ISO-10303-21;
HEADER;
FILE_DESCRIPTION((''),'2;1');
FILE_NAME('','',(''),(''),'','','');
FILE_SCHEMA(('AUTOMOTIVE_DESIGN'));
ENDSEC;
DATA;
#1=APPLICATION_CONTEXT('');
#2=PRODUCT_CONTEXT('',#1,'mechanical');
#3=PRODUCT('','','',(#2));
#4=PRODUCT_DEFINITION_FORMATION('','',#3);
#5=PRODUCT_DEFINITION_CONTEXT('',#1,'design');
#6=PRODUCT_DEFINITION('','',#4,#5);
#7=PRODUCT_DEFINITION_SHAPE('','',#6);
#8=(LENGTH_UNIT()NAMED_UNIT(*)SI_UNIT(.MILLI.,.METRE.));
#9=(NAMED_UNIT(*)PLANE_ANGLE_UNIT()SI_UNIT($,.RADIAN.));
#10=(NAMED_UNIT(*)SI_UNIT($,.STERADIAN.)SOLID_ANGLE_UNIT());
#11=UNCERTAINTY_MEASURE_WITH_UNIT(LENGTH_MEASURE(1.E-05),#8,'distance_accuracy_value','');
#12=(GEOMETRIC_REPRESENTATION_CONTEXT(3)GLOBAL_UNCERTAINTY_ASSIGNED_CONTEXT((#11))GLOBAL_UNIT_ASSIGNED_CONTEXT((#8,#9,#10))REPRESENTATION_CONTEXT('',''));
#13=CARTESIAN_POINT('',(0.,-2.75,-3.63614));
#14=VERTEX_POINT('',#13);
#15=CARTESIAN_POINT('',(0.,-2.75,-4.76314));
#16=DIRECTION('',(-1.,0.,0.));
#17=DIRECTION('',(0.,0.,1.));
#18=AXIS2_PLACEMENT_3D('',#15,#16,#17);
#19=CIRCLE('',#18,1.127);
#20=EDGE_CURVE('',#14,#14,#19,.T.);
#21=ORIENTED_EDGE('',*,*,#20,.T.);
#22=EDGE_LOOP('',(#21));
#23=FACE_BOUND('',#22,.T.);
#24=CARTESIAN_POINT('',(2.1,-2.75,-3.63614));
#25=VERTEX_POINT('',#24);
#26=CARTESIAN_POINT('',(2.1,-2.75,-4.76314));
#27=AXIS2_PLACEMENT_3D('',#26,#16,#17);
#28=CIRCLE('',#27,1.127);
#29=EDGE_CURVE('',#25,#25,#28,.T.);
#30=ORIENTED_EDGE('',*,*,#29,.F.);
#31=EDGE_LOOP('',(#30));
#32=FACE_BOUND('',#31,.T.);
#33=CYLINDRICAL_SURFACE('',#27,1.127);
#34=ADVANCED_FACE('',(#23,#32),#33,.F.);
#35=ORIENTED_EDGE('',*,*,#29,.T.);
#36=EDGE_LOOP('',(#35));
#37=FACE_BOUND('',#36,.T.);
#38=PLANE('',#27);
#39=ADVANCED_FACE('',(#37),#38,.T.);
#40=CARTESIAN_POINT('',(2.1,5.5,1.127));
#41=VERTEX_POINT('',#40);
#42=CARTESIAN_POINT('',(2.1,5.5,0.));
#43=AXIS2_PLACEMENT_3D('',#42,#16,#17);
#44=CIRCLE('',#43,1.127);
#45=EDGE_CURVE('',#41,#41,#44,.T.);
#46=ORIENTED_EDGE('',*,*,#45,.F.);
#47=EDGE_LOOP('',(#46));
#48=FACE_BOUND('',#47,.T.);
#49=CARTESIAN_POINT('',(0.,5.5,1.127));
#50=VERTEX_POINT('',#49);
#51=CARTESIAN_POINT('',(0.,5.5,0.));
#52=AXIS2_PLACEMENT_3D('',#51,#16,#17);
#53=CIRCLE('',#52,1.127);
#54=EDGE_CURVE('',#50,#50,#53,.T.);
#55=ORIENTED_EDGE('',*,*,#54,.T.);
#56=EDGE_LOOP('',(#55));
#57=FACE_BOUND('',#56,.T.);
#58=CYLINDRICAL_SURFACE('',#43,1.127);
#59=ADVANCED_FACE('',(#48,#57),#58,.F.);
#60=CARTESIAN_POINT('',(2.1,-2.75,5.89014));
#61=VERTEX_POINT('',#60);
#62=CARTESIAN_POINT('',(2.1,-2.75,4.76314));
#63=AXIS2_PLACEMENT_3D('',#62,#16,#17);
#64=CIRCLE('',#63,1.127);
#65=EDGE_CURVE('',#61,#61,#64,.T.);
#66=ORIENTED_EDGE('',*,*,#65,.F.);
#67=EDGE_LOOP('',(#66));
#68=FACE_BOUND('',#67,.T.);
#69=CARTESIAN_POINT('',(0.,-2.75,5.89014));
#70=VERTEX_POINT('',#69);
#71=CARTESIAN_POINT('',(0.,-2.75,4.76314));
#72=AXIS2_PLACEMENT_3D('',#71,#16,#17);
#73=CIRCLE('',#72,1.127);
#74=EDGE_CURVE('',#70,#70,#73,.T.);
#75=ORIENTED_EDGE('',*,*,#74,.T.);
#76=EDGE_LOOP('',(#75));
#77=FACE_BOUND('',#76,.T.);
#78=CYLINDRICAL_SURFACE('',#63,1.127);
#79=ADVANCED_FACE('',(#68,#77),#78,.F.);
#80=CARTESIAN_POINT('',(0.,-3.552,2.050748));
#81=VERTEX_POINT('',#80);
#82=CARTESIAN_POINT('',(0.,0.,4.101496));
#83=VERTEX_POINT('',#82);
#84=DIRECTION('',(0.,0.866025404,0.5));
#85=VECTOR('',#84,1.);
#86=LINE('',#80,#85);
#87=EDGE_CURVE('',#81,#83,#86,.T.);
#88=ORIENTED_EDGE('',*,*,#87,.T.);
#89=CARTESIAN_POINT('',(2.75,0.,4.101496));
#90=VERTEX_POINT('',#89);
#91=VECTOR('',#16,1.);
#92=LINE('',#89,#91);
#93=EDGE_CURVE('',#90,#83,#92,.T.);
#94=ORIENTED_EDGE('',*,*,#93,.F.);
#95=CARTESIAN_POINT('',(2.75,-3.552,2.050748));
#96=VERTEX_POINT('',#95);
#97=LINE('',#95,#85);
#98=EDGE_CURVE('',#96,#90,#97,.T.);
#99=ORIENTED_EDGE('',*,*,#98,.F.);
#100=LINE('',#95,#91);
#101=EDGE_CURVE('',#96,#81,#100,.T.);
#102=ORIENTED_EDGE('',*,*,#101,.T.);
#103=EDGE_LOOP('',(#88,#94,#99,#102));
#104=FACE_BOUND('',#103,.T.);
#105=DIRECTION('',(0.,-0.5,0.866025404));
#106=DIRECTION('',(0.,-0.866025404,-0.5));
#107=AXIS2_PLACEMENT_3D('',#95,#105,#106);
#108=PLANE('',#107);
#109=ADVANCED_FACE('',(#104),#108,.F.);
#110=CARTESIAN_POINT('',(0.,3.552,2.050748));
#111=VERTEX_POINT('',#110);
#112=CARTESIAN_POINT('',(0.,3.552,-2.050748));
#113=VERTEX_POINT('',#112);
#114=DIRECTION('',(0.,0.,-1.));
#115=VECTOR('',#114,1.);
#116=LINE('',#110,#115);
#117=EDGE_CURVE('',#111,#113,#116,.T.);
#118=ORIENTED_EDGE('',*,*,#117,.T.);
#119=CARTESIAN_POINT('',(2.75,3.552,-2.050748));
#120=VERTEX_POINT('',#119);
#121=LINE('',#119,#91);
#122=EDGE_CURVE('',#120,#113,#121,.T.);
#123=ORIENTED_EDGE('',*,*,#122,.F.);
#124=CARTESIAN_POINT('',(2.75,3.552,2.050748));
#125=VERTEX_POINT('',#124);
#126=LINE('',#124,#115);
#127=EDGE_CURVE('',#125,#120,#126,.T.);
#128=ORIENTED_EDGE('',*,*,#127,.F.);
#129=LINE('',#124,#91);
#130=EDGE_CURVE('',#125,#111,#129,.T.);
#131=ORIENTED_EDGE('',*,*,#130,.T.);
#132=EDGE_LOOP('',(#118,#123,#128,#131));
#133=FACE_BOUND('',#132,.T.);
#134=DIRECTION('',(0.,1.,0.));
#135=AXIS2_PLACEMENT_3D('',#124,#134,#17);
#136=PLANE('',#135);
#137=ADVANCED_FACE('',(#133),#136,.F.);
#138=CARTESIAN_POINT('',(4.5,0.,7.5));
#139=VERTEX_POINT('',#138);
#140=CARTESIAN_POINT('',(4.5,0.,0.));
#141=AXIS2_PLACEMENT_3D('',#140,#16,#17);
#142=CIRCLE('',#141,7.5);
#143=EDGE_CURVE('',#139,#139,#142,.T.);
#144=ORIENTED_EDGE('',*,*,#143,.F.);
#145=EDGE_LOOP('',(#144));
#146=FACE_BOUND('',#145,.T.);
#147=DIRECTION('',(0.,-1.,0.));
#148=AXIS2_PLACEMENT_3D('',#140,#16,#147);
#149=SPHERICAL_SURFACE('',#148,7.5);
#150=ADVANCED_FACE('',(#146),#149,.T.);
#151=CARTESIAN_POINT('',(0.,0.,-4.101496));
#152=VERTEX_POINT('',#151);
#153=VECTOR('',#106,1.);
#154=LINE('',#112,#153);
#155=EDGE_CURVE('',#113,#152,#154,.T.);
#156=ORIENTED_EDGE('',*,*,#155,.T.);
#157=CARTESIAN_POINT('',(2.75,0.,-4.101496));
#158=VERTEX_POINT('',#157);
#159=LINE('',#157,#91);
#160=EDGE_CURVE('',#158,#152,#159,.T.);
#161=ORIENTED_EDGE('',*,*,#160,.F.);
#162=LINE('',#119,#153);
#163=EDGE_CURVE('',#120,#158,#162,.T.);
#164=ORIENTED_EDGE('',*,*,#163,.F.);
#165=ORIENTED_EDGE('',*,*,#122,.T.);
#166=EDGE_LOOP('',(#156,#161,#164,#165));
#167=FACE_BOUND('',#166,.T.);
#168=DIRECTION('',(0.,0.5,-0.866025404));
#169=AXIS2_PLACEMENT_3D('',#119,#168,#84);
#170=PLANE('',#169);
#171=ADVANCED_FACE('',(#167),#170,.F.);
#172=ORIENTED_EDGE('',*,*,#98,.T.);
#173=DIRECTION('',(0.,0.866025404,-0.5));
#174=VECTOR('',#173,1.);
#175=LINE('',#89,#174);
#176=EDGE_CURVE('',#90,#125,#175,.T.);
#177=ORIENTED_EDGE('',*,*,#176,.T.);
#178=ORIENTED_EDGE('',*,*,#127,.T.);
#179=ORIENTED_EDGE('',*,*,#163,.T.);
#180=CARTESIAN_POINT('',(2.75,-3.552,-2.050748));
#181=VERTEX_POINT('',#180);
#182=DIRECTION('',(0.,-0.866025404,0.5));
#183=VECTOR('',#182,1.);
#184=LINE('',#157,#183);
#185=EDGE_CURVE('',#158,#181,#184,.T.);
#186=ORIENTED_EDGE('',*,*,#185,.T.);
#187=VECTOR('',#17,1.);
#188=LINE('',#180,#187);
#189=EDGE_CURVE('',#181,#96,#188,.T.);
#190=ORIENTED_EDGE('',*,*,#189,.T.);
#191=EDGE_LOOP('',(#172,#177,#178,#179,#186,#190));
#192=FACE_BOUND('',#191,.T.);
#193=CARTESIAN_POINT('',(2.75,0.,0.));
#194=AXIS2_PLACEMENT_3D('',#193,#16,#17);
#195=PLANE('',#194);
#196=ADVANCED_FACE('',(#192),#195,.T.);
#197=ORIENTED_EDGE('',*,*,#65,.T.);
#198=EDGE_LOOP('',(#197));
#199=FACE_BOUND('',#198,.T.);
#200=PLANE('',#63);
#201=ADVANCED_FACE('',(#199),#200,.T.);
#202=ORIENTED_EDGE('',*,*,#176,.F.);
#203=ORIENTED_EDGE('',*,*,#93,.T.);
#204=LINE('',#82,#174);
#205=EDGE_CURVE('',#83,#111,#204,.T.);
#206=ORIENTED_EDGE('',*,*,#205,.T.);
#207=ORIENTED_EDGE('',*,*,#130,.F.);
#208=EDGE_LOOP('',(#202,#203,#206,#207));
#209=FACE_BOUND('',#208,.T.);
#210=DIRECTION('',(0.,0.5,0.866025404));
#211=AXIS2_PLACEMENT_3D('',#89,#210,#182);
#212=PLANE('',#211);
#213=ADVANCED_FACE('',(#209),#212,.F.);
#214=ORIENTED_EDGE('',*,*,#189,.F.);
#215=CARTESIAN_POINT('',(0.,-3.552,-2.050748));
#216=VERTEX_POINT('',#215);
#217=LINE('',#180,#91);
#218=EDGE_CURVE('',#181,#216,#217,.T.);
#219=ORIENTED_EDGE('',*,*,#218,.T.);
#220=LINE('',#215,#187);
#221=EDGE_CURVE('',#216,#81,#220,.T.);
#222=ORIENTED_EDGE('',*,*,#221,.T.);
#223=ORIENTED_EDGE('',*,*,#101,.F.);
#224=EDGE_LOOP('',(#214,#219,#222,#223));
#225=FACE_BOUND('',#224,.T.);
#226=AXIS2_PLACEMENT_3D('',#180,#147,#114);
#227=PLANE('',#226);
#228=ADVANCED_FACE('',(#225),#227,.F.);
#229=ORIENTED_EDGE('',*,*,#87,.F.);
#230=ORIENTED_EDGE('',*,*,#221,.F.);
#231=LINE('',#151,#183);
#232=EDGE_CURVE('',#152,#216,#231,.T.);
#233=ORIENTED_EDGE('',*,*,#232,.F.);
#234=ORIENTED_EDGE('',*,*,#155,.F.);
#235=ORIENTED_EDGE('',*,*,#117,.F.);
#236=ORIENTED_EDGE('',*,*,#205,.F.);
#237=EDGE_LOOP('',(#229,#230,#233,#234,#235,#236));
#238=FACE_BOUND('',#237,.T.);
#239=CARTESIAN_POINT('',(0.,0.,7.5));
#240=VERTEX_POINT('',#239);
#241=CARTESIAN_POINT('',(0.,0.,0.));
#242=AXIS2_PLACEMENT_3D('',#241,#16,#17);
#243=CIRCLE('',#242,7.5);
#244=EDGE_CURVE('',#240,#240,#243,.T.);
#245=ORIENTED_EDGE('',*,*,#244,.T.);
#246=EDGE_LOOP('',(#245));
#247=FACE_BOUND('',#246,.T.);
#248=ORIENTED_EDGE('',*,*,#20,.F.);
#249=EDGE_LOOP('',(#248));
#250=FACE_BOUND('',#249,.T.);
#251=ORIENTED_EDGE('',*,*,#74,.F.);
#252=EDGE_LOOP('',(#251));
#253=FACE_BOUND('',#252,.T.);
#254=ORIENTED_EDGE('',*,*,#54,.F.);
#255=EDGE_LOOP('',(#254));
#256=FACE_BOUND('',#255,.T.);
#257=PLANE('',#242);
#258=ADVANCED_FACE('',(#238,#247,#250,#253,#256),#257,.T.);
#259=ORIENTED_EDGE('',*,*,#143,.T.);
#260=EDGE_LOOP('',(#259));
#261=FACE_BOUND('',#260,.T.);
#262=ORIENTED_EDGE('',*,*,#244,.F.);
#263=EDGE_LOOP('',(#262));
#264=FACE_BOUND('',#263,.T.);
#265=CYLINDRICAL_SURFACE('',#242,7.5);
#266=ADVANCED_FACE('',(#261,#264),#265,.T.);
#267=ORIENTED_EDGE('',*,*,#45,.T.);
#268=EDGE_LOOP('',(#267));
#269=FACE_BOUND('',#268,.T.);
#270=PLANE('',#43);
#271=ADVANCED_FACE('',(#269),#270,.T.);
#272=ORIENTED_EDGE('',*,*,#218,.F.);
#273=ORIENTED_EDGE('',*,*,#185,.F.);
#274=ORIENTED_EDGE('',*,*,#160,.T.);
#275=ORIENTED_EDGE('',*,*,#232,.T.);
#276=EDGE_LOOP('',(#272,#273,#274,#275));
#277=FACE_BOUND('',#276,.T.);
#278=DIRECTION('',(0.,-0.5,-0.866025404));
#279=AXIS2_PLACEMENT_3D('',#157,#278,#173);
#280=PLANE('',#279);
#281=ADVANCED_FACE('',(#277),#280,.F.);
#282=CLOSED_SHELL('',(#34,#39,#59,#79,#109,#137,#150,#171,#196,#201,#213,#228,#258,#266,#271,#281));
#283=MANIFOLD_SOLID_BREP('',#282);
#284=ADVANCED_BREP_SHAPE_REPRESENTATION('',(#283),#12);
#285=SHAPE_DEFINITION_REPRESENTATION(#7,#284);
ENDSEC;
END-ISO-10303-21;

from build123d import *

# Parameters (mm, degrees)
CUT_EXTRUDE1_DEPTH = 2.75
SKETCH3_R          = 1.127
CUT_EXTRUDE2_DEPTH = 2.1


with BuildPart() as part:
    # Sketch1 → Revolve1 (revolve)
    with BuildSketch(Plane.XY, mode=Mode.PRIVATE) as revolve1_sk:
        with BuildLine():
            Line((0, 0), (12, 0))
            ThreePointArc((12, 0), (9.803300859, -5.303300859), (4.5, -7.5))
            Line((4.5, -7.5), (0, -7.5))
            Line((0, -7.5), (0, 0))
        make_face()
    revolve(revolve1_sk.sketch.rotate(Axis((0, 0, 0), (1, 0, 0)), 270), axis=Axis((0, 0, 0), (1, 0, 0)))

    # Sketch2 → Cut-Extrude1 (cut)
    with BuildSketch(Plane.ZY):
        Polygon((2.050748156, 3.552), (-2.050748156, 3.552), (-4.101496312, 0), (-2.050748156, -3.552), (2.050748156, -3.552), (4.101496312, 0), align=None)
    extrude(amount=-CUT_EXTRUDE1_DEPTH, mode=Mode.SUBTRACT)

    # Sketch3 → Cut-Extrude2 (cut)
    with BuildSketch(Plane.ZY):
        with Locations((-4.763139721, -2.75)):
            Circle(SKETCH3_R)
        with Locations((0, 5.5)):
            Circle(SKETCH3_R)
        with Locations((4.763139721, -2.75)):
            Circle(SKETCH3_R)
    extrude(amount=-CUT_EXTRUDE2_DEPTH, mode=Mode.SUBTRACT)


solid = part.part
